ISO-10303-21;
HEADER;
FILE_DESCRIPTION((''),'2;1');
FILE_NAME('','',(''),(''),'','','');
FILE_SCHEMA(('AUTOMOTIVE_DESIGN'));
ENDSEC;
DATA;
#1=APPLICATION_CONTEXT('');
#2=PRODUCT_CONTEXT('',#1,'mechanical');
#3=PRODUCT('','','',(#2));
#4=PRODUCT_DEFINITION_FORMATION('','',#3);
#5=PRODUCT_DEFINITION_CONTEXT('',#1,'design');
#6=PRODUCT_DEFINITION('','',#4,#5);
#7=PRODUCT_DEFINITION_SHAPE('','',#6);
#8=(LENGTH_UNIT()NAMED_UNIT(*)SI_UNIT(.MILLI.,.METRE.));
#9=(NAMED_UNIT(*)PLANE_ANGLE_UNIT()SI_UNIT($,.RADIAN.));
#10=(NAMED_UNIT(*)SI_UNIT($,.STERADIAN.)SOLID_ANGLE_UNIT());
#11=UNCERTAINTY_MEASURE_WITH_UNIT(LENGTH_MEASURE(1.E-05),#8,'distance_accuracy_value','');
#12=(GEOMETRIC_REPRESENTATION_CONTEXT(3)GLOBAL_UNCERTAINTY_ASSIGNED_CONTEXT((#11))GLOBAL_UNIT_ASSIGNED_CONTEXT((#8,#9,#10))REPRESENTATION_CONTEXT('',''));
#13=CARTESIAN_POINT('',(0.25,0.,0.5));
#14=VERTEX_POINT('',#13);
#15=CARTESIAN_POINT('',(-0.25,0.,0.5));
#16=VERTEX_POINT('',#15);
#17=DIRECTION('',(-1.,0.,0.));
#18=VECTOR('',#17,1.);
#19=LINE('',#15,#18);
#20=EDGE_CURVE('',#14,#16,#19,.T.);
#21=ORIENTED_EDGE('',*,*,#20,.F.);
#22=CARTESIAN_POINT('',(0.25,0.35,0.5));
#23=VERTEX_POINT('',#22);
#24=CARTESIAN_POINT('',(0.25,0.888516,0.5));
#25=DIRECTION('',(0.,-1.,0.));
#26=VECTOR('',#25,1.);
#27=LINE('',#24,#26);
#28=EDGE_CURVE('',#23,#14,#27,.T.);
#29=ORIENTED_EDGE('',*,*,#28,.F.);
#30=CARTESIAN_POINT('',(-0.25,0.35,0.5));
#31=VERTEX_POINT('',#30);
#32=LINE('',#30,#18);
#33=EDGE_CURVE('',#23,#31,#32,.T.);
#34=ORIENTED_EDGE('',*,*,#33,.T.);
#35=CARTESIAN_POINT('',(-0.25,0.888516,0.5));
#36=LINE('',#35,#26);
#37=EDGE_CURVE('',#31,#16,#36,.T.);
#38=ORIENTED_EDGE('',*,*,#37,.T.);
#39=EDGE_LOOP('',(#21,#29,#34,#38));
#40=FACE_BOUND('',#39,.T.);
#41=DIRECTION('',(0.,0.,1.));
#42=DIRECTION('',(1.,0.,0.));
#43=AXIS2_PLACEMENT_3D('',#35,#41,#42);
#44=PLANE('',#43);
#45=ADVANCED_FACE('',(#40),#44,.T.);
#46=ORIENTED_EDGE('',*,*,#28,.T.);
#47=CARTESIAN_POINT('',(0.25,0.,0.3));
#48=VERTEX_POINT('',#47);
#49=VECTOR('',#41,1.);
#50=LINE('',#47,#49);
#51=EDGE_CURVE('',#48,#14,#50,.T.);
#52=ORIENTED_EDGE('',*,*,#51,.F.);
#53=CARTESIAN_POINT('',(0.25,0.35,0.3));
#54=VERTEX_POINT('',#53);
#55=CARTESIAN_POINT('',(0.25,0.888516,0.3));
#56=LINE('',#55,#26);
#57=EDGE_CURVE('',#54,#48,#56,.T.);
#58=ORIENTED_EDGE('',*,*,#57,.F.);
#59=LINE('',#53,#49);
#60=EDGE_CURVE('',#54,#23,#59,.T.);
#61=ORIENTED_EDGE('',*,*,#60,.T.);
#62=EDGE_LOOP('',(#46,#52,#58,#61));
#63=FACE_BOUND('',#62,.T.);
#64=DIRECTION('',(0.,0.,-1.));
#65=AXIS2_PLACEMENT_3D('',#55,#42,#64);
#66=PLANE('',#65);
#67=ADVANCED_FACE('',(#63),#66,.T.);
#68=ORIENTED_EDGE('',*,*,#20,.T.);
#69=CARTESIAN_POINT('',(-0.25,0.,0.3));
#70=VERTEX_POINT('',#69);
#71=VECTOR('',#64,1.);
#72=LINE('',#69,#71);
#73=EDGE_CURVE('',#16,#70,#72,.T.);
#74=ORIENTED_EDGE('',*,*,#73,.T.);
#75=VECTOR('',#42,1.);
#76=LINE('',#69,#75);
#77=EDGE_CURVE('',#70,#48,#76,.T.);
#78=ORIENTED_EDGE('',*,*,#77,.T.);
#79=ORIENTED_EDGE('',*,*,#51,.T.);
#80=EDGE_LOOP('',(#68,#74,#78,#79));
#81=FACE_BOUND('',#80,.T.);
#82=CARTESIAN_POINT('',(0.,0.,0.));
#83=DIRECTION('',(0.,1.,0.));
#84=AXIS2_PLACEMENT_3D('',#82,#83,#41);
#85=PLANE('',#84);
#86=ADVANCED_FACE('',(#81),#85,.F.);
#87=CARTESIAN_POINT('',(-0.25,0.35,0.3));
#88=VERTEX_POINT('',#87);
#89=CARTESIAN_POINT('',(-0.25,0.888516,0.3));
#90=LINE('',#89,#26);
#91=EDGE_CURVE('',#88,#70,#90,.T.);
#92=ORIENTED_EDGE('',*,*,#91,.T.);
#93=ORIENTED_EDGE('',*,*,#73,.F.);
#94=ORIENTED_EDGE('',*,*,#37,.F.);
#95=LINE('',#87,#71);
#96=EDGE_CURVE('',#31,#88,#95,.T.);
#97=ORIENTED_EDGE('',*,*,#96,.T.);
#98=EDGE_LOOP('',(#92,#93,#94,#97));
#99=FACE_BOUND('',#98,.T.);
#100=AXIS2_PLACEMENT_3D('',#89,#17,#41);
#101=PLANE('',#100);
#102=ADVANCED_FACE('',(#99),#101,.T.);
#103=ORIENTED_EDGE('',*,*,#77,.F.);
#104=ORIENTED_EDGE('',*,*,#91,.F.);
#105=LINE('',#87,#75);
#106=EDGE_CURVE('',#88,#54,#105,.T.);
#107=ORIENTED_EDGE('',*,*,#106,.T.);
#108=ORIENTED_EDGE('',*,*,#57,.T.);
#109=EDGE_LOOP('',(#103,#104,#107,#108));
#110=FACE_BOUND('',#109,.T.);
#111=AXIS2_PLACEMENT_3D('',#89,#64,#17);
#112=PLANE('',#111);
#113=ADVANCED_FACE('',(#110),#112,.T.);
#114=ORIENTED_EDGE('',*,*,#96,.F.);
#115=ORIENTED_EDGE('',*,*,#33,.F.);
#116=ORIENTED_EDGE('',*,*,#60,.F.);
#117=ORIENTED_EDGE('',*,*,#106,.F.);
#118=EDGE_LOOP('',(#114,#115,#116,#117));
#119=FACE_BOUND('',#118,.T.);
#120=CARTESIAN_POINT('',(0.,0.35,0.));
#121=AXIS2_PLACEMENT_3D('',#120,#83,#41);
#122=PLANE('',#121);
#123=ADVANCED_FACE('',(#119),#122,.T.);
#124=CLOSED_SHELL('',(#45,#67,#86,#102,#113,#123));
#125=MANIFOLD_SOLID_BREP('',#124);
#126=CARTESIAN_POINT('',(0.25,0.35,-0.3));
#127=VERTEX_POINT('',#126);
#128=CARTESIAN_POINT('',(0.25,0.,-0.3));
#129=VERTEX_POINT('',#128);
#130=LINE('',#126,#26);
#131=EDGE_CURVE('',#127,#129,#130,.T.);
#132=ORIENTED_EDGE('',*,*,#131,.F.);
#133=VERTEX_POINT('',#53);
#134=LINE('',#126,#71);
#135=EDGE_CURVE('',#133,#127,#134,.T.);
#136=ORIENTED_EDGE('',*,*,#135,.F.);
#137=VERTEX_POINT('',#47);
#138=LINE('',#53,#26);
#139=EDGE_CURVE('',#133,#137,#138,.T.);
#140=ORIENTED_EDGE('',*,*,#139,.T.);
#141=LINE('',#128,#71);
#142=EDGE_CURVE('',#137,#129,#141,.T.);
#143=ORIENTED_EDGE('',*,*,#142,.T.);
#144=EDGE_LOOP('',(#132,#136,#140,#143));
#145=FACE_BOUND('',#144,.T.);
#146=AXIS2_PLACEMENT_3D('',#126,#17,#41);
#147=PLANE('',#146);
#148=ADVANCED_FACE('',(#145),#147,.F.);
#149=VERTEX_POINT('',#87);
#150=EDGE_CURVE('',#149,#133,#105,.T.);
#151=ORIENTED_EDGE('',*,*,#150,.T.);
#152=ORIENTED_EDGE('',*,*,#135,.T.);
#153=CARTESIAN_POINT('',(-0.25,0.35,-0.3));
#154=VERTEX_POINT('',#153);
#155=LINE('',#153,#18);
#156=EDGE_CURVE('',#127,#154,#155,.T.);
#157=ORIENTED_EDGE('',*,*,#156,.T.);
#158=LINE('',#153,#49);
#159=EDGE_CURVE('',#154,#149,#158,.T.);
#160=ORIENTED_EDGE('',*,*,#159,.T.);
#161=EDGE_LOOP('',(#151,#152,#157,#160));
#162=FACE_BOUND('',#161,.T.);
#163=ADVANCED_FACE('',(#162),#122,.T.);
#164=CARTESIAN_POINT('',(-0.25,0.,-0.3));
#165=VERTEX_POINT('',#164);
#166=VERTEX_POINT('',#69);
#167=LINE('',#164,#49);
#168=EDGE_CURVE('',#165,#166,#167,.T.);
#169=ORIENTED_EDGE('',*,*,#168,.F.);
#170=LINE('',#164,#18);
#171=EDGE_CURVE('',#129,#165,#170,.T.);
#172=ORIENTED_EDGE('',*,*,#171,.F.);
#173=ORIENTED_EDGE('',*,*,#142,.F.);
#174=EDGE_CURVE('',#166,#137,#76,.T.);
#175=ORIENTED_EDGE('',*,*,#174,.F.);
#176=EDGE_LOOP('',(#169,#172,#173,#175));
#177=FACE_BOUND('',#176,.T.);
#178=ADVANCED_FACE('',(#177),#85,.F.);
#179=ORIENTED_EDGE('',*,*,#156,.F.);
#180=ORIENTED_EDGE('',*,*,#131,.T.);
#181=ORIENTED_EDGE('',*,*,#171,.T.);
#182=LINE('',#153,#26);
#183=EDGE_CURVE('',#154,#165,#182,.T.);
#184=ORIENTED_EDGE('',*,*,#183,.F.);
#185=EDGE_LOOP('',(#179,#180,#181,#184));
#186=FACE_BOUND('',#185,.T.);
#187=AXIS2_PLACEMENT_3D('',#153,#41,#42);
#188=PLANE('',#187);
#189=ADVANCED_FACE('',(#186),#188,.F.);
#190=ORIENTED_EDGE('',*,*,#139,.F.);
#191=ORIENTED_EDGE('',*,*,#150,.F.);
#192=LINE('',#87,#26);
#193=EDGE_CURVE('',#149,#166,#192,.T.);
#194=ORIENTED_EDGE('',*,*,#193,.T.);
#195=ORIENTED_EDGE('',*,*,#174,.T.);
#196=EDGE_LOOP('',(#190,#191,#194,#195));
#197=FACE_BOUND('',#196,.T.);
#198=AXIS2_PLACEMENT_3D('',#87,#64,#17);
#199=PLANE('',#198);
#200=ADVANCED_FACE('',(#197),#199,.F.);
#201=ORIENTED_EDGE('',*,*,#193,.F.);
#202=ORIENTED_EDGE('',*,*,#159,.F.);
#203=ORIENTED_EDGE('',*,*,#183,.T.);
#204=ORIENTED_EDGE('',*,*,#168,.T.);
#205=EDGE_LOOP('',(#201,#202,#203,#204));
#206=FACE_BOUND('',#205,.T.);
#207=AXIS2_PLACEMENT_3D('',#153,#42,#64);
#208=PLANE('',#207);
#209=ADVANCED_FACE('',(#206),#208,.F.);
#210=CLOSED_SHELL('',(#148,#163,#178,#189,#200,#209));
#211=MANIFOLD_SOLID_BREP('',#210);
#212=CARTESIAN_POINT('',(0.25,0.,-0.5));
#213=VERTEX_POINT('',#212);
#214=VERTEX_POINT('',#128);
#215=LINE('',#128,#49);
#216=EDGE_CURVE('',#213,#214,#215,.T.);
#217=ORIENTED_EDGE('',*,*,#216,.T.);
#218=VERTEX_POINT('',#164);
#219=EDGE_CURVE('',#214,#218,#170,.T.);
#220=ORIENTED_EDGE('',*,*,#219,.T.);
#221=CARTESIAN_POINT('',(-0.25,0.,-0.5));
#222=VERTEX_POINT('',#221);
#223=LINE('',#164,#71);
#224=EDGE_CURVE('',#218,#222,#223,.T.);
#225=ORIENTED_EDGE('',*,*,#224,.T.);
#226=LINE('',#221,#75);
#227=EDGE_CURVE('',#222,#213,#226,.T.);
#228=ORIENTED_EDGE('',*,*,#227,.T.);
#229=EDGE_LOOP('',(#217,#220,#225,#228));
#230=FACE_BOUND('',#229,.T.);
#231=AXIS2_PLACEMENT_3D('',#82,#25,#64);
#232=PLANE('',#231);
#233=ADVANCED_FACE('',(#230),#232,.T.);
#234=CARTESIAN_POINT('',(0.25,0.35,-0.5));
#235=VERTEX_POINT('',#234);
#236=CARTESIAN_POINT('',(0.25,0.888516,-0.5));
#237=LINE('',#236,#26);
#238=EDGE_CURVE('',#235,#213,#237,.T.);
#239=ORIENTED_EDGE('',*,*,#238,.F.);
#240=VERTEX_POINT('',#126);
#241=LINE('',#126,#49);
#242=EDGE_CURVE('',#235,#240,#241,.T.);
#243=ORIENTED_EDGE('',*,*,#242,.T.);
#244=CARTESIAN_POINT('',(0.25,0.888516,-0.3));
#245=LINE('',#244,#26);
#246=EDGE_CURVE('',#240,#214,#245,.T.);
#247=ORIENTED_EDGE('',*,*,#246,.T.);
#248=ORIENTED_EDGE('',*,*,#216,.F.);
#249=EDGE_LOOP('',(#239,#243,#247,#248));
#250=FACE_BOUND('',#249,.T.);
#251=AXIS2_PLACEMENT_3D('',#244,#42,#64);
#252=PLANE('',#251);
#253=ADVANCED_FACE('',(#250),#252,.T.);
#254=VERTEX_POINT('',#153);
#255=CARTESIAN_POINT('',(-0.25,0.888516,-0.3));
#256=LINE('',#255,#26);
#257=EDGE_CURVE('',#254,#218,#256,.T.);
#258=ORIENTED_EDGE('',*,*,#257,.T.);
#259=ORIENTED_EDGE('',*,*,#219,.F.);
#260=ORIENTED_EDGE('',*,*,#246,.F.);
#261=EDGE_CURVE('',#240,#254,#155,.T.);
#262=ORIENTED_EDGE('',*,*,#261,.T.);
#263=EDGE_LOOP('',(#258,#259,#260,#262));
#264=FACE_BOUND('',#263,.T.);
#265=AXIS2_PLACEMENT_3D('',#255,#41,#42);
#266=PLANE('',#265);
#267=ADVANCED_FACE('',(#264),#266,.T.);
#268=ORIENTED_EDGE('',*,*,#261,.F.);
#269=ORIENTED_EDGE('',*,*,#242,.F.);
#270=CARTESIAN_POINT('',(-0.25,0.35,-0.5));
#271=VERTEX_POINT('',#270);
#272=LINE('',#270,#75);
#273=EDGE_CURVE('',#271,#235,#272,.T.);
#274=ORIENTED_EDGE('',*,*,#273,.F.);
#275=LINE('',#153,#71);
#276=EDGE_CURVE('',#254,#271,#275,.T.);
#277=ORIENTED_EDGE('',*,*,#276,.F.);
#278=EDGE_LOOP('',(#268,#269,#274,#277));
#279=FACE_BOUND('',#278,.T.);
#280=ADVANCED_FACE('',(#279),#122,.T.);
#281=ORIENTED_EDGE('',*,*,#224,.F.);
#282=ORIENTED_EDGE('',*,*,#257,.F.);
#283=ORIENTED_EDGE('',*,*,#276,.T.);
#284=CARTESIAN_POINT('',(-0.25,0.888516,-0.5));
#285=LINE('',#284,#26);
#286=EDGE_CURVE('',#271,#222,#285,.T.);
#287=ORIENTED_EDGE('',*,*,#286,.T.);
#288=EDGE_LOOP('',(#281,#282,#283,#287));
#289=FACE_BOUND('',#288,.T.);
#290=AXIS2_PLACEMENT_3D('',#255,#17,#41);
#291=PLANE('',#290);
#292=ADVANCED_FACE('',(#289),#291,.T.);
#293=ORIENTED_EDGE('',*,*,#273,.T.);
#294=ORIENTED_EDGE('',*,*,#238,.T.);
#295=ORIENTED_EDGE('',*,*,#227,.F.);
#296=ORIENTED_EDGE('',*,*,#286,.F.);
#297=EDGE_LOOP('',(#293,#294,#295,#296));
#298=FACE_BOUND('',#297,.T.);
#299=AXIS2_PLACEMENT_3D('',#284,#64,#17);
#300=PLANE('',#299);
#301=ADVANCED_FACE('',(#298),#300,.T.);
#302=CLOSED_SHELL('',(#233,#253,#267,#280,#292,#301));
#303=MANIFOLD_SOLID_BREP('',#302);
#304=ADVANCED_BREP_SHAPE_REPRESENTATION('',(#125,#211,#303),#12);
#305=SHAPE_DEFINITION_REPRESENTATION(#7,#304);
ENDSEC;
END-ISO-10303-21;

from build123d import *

# Parameters (mm, degrees)
MAINBODYS_W     = 0.5
MAINBODYS_H     = 0.6
MAINBODY_DEPTH  = 0.35
LEFTBODYS_W     = 0.5
LEFTBODYS_H     = 0.2
LEFTBODY_DEPTH  = 0.35
RIGHTBODYS_W    = 0.5
RIGHTBODYS_H    = 0.2
RIGHTBODY_DEPTH = 0.35


with BuildPart() as part:
    # MainBodyS → MainBody (new body)
    with BuildSketch(Plane(origin=(0, 0, 0), x_dir=(1, 0, 0), z_dir=(0, 1, 0))):
        Rectangle(MAINBODYS_W, MAINBODYS_H)
    extrude(amount=MAINBODY_DEPTH)


with BuildPart() as body_2:
    # LeftBodyS → LeftBody (new body)
    with BuildSketch(Plane(origin=(0, 0, 0), x_dir=(-1, 0, 0), z_dir=(0, -1, 0))):
        with Locations((0, -0.4)):
            Rectangle(LEFTBODYS_W, LEFTBODYS_H)
    extrude(amount=-LEFTBODY_DEPTH)


with BuildPart() as body_3:
    # RightBodyS → RightBody (new body)
    with BuildSketch(Plane.XZ):
        with Locations((0, -0.4)):
            Rectangle(RIGHTBODYS_W, RIGHTBODYS_H)
    extrude(amount=-RIGHTBODY_DEPTH)


solid = Compound([part.part, body_2.part, body_3.part])
